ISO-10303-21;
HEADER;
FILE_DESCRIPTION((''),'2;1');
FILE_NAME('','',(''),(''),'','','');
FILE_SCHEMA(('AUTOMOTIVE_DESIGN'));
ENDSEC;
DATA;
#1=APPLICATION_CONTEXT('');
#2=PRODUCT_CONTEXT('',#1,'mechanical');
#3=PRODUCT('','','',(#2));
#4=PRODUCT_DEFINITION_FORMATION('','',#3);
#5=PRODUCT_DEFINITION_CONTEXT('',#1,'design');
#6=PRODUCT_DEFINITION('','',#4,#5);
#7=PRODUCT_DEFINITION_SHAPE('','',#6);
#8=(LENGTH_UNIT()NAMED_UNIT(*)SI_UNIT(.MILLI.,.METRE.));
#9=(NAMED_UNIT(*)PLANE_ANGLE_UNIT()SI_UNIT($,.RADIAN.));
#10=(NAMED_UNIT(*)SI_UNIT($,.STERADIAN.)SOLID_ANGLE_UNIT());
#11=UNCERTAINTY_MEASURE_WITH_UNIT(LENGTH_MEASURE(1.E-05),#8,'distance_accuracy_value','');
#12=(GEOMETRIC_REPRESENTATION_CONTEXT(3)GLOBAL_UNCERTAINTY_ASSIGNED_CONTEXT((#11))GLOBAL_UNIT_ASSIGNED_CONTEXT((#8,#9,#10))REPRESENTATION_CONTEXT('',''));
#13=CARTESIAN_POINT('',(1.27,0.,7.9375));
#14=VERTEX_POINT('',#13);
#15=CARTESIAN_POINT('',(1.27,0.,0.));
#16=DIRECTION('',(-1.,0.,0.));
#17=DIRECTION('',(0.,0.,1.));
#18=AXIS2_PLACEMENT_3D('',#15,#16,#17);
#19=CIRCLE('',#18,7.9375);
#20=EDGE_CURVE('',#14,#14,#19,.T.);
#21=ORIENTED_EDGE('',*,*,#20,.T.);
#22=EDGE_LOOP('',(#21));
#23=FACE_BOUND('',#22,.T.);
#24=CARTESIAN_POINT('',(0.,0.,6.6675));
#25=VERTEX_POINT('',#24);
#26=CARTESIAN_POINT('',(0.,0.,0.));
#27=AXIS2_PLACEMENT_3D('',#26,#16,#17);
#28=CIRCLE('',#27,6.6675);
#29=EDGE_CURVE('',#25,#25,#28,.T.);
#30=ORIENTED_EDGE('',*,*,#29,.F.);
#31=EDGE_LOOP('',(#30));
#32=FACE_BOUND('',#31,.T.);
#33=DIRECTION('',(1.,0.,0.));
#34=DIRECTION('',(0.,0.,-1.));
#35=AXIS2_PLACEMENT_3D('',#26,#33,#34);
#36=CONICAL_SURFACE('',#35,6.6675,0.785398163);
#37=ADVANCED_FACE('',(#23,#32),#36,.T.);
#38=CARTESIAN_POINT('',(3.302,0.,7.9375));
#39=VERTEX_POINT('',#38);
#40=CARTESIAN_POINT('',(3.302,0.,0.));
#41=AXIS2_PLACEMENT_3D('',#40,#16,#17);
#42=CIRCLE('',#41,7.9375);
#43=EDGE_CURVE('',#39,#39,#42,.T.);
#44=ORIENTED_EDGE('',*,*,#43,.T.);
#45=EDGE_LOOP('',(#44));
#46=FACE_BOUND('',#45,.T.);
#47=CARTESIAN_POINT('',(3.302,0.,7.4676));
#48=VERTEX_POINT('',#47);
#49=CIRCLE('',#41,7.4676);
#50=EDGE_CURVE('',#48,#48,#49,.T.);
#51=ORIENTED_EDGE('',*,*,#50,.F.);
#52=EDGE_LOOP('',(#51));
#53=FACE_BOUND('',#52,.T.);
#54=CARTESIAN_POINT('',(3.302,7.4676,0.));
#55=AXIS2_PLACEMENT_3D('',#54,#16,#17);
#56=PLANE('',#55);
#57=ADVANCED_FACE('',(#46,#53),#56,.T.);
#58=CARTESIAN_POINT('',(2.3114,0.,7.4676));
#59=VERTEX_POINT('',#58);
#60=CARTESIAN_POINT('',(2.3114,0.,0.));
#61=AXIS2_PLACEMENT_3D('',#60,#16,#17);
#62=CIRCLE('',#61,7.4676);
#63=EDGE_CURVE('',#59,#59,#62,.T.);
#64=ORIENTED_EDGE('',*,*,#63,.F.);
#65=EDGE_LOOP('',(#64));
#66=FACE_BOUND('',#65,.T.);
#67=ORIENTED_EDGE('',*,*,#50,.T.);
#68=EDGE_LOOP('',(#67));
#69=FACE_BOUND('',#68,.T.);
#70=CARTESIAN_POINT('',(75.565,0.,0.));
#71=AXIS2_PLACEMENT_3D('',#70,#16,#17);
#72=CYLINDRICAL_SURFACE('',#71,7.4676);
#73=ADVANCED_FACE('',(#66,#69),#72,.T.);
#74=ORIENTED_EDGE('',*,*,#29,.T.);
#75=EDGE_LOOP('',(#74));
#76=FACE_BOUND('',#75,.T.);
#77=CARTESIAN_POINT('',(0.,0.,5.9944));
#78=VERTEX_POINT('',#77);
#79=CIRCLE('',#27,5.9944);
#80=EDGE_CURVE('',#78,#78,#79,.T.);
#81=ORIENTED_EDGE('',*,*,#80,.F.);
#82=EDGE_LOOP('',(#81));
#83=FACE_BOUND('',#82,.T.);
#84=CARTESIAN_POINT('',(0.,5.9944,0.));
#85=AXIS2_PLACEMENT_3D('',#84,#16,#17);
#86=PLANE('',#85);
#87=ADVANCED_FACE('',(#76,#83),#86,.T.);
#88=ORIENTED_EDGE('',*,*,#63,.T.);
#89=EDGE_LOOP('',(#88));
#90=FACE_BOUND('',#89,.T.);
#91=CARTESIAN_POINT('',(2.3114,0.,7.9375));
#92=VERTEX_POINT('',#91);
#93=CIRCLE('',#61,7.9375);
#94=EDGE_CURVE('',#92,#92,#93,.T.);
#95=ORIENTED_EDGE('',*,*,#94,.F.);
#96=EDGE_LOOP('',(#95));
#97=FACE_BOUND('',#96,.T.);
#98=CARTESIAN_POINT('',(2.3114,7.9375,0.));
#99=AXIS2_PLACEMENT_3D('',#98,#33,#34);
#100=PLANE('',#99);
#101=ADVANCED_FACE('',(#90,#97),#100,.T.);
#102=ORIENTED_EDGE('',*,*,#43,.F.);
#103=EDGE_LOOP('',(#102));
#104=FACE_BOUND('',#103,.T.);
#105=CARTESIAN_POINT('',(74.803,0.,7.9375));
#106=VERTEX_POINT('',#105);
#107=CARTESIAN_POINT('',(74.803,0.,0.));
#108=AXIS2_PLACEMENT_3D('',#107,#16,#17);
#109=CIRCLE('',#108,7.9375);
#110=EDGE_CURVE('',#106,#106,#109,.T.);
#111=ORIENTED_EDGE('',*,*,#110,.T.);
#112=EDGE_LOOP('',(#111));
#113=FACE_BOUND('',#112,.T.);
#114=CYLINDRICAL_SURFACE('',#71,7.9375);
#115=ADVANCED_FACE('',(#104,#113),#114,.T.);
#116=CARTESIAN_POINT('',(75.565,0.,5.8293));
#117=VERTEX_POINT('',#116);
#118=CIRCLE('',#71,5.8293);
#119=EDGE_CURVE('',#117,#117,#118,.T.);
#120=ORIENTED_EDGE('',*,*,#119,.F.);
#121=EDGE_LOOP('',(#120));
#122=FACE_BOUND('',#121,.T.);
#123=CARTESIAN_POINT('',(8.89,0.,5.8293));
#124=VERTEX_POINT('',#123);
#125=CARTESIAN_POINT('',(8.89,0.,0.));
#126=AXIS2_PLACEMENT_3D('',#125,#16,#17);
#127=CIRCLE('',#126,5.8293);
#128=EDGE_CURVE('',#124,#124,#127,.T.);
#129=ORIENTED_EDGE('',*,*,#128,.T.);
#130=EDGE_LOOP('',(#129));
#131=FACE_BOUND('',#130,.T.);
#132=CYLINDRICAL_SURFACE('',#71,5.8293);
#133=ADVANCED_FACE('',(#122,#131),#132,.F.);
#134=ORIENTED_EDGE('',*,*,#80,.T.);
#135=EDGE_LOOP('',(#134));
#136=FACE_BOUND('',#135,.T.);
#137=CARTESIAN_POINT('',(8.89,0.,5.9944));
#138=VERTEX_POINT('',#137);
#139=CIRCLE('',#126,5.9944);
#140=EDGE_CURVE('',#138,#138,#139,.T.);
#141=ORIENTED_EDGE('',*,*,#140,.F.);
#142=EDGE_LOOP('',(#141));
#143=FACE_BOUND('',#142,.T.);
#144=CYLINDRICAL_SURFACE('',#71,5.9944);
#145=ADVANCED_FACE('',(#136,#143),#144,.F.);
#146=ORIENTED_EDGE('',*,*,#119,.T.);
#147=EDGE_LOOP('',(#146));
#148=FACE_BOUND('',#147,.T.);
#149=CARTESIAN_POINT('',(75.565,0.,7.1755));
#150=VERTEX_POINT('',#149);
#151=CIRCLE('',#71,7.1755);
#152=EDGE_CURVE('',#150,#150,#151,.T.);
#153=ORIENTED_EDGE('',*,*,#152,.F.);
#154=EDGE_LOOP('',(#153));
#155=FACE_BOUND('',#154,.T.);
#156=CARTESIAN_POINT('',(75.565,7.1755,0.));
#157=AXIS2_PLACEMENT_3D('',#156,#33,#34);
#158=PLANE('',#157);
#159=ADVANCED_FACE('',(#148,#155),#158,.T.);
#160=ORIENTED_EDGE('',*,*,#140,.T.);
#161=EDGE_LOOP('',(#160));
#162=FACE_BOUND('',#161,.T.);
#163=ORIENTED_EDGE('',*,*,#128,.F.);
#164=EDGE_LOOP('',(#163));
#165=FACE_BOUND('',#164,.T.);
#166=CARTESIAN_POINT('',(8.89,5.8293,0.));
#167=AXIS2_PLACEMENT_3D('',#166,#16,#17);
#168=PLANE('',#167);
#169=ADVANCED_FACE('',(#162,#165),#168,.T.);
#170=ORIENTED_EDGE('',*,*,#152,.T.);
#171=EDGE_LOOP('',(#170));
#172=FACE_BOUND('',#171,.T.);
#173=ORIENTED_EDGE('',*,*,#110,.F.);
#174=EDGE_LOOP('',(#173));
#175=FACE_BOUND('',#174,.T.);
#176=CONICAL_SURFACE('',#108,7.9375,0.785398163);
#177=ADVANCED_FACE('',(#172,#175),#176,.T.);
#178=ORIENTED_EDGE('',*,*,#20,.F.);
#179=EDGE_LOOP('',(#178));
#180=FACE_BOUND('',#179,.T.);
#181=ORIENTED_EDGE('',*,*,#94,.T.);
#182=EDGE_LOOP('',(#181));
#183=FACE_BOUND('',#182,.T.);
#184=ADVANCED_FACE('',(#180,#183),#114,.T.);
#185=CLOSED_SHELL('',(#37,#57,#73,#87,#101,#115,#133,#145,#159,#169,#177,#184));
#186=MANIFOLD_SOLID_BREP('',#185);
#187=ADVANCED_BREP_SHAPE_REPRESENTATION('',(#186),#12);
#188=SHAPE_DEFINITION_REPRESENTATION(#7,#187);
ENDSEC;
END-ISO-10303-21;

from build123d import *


with BuildPart() as part:
    # Sketch1 → Revolve1 (revolve)
    with BuildSketch(Plane(origin=(0, 0, 0), x_dir=(-1, 0, 0), z_dir=(0, 0, -1))):
        Polygon((0, 5.9944), (0, 6.6675), (-1.27, 7.9375), (-2.3114, 7.9375), (-2.3114, 7.4676), (-3.302, 7.4676), (-3.302, 7.9375), (-74.803, 7.9375), (-75.565, 7.1755), (-75.565, 5.8293), (-8.89, 5.8293), (-8.89, 5.9944), align=None)
    revolve(axis=Axis((75.565, 0, 0), (-1, 0, 0)))


solid = part.part
